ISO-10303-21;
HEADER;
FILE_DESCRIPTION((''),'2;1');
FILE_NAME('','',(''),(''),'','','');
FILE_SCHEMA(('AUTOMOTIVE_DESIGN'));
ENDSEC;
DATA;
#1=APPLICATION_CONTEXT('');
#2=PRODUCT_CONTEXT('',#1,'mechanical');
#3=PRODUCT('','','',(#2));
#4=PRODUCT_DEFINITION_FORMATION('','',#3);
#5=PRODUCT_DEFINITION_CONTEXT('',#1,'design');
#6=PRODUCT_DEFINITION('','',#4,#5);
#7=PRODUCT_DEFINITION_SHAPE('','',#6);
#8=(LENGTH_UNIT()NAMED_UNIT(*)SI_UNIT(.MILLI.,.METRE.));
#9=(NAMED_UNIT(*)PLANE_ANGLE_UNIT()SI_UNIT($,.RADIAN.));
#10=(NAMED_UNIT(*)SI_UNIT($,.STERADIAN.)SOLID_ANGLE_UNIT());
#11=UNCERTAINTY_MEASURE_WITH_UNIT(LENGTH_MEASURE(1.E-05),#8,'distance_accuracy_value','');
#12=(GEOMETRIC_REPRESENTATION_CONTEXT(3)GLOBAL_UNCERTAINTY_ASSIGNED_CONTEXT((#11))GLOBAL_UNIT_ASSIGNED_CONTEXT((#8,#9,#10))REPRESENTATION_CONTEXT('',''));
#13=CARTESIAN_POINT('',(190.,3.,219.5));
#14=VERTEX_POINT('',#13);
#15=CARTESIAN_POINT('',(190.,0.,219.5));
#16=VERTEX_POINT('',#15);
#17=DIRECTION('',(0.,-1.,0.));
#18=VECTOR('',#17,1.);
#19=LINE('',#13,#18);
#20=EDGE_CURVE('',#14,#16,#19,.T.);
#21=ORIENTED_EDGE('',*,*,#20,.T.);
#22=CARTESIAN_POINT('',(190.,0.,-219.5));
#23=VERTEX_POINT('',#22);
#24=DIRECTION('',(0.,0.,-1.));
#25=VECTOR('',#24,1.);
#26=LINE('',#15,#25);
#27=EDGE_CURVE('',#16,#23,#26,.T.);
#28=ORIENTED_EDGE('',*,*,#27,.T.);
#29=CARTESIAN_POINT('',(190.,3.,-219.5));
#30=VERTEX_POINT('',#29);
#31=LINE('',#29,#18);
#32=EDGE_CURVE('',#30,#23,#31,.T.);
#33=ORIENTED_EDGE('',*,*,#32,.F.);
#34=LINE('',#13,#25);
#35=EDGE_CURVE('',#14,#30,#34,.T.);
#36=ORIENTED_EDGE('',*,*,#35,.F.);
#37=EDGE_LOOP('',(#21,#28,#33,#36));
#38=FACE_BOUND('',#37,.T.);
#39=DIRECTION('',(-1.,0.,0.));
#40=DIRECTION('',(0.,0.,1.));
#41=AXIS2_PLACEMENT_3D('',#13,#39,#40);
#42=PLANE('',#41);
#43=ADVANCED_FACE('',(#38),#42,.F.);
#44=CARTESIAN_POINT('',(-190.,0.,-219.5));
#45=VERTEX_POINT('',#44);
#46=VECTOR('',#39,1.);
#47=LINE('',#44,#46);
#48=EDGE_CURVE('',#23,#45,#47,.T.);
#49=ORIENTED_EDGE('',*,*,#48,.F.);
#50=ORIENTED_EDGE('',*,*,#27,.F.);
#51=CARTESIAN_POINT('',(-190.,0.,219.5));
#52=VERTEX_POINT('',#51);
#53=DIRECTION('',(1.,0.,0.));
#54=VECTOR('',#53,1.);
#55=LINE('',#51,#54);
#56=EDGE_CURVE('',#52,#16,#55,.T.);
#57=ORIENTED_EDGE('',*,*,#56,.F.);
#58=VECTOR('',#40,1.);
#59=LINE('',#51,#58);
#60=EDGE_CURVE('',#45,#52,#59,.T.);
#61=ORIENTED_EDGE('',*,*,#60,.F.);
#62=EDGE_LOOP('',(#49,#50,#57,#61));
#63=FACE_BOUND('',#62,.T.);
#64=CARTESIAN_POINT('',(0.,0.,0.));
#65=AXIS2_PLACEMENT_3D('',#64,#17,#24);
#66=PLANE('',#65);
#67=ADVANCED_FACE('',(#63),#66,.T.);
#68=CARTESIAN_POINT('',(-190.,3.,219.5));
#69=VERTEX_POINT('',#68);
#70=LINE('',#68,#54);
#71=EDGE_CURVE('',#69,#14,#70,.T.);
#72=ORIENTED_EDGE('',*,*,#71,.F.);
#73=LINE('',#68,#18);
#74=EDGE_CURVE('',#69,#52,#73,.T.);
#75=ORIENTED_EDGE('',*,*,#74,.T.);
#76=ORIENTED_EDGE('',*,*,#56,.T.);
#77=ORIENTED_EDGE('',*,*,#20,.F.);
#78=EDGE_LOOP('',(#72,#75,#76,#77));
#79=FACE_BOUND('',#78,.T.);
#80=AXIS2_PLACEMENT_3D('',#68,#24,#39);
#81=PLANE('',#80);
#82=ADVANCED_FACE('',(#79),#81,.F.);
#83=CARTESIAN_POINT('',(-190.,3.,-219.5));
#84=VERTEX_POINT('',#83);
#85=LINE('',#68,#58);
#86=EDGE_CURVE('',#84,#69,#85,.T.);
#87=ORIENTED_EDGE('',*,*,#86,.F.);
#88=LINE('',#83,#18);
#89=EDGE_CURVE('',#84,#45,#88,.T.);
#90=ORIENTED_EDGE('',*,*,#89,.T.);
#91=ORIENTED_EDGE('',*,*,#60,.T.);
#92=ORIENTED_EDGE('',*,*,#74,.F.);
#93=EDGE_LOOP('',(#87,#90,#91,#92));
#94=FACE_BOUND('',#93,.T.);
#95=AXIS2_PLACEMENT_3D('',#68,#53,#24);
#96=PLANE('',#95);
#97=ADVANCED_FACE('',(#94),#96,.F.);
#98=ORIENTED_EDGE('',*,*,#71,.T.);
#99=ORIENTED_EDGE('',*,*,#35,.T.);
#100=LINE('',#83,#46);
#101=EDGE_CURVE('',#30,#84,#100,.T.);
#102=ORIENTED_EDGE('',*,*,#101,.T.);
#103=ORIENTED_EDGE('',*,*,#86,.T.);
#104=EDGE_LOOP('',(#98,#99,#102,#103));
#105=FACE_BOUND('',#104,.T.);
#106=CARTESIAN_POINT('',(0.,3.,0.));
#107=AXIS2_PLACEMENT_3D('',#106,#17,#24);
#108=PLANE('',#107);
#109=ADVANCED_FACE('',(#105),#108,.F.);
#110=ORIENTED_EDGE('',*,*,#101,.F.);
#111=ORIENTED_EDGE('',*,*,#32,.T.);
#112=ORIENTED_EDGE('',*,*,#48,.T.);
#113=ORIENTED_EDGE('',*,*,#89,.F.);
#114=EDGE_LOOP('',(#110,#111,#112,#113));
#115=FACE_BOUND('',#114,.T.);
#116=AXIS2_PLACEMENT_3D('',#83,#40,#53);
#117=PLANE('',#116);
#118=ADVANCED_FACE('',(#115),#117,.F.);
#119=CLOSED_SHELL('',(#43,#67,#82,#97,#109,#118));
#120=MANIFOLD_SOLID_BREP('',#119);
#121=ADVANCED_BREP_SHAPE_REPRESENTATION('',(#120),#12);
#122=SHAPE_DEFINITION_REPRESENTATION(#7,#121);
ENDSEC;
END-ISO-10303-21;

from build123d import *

# Parameters (mm, degrees)
SKETCH1_W           = 380
SKETCH1_H           = 439
BOSS_EXTRUDE1_DEPTH = 3


with BuildPart() as part:
    # Sketch1 → Boss-Extrude1 (new body)
    with BuildSketch(Plane(origin=(0, 0, 0), x_dir=(1, 0, 0), z_dir=(0, 1, 0))):
        Rectangle(SKETCH1_W, SKETCH1_H)
    extrude(amount=BOSS_EXTRUDE1_DEPTH)


solid = part.part
